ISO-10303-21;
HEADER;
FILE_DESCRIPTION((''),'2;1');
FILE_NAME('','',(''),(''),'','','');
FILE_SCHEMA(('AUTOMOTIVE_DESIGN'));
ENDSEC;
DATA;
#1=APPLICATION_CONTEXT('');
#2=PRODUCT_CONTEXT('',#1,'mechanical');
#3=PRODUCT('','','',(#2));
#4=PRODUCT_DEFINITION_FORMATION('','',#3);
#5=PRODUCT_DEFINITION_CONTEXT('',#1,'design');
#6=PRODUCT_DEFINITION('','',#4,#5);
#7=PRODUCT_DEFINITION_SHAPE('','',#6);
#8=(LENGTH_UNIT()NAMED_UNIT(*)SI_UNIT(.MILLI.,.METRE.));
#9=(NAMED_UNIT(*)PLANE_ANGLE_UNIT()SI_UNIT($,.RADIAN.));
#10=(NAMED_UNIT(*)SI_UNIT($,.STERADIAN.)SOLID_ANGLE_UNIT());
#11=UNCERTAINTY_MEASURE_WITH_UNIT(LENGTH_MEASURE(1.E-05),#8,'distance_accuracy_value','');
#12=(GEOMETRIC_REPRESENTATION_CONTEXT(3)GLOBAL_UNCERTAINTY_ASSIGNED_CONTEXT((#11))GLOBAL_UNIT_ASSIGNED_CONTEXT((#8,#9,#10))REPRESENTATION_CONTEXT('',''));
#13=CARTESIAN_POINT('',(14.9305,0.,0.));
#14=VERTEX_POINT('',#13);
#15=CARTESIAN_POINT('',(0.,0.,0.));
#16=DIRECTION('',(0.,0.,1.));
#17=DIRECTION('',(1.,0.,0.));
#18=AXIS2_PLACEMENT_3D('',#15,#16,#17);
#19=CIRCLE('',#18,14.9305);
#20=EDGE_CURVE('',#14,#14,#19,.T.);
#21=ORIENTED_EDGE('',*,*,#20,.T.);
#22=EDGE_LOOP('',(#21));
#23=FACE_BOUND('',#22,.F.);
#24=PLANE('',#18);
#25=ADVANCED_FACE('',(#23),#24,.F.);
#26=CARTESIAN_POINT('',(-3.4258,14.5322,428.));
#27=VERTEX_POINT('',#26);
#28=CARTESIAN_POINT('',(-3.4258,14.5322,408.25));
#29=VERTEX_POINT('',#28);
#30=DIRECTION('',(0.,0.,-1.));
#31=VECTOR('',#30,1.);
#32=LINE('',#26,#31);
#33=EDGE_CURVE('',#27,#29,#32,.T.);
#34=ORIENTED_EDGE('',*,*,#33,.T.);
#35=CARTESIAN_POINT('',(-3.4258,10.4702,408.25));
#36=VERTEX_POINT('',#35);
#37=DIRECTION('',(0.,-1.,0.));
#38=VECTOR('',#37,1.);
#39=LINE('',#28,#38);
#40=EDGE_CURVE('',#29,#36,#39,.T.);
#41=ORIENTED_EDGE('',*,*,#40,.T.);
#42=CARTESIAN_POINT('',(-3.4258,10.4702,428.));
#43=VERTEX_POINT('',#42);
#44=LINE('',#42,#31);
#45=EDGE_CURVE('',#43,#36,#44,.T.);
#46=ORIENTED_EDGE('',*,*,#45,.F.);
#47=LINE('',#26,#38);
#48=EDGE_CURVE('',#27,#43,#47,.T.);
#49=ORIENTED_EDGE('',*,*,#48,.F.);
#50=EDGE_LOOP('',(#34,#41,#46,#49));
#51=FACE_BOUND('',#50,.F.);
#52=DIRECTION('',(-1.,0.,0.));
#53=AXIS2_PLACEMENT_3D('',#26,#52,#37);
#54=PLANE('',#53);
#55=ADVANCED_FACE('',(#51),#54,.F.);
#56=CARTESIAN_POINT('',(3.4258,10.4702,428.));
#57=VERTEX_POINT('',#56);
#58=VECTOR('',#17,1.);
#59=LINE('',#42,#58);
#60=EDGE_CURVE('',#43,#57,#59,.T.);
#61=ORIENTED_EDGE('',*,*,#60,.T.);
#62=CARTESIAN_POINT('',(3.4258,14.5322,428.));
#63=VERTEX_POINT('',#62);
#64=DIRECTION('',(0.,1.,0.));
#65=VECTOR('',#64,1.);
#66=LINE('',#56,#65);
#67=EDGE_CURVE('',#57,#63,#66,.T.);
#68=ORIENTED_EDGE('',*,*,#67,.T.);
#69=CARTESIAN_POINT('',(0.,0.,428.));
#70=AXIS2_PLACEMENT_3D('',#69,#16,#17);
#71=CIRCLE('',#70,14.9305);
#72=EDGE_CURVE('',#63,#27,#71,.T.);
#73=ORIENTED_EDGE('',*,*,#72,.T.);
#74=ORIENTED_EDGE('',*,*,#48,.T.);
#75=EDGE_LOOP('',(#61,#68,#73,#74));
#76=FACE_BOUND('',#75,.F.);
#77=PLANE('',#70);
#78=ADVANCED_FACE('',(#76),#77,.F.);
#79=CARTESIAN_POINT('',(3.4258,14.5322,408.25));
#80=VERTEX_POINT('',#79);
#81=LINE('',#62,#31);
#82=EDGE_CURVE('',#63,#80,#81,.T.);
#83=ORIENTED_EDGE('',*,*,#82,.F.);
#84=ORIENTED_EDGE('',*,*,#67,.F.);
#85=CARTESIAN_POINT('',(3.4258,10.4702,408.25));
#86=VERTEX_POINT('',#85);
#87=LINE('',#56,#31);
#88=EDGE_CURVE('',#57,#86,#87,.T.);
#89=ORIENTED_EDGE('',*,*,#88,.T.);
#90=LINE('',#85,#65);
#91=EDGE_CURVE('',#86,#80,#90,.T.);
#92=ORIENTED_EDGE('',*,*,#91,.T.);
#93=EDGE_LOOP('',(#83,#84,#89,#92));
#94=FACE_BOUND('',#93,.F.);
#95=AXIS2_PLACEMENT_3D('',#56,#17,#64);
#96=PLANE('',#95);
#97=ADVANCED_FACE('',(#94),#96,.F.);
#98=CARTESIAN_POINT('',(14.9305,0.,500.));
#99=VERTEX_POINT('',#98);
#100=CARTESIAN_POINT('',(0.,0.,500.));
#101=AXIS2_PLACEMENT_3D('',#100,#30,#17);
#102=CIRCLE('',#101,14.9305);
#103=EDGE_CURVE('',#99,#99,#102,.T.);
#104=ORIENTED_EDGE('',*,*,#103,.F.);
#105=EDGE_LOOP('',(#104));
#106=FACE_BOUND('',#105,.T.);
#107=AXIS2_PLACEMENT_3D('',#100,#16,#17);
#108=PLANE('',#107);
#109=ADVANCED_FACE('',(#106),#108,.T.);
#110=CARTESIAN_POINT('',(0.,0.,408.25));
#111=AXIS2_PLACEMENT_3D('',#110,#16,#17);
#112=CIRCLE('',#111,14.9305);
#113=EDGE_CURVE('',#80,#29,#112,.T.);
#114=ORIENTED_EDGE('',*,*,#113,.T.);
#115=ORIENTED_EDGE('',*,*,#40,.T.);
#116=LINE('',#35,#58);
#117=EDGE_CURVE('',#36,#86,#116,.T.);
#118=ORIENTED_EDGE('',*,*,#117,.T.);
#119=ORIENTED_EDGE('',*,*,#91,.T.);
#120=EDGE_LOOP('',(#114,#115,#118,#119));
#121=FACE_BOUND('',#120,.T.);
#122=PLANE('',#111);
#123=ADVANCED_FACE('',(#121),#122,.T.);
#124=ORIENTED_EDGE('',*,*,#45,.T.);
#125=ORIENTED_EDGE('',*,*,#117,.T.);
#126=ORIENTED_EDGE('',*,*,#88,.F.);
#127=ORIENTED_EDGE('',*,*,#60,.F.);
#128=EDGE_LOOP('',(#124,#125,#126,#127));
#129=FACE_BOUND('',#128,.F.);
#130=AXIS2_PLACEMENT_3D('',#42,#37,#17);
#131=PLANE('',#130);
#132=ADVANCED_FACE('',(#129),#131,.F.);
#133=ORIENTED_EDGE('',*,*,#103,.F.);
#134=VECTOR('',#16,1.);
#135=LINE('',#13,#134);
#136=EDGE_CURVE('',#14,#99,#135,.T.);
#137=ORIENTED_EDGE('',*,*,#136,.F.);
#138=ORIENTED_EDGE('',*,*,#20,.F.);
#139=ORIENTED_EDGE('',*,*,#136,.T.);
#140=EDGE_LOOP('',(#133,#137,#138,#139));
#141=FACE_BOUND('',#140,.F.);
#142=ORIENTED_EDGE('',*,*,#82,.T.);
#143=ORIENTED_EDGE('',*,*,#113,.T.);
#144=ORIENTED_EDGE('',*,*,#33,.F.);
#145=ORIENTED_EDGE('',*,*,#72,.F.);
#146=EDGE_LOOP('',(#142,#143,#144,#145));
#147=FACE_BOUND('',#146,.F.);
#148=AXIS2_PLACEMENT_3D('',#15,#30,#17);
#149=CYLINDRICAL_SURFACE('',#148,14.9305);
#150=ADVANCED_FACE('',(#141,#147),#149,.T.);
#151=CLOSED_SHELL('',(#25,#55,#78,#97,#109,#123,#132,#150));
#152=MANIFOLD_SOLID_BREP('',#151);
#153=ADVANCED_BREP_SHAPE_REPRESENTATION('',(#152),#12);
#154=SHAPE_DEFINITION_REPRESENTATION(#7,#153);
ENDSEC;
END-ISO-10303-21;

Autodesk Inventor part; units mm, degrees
ref_plane "YZ Plane" through (0, 0, 0) normal (1, 0, 0) x (0, 1, 0)
ref_plane "XZ Plane" through (0, 0, 0) normal (0, 1, 0) x (-1, 0, 0)
ref_plane "XY Plane" through (0, 0, 0) normal (0, 0, 1) x (1, 0, 0)
sketch "Sketch1" plane through (0, 0, 0) normal (0, 0, 1) x (1, 0, 0)
  circle A0 centre (0, 0) radius 14.9305
  line L0 (4.7107, 14.1679) -> (-4.7107, 14.1679)
  line L1 (-4.7107, 14.1679) -> (-4.7107, 10.3691)
  line L2 (-4.7107, 10.3691) -> (4.7107, 10.3691)
  line L3 (4.7107, 10.3691) -> (4.7107, 14.1679)
  line L4 (0, 0) -> (0, 27.3143) construction
  point P0 (0, 10.3691)
  dimension "d0" = 29.861
  dimension "d3" = 3.7988
  dimension "d4" = 9.4214
extrude "Extrusion1" add sketch "Sketch1" along normal blind 500
sketch "Sketch2" plane through (0, 0, 500) normal (0, 0, 1) x (1, 0, 0)
  circle A0 centre (0, 0) radius 14.9305 projected
  line L0 (-3.4258, 14.5322) -> (-3.4258, 10.4702)
  line L1 (-3.4258, 10.4702) -> (3.4258, 10.4702)
  line L2 (3.4258, 10.4702) -> (3.4258, 14.5322)
  line L3 (0, 0) -> (0, 23.7293) construction
  point P0 (0, 10.4702)
  dimension "d5" = 4.0619
  dimension "d6" = 6.8516
ref_plane "Work Plane1" through (0, 0, 428) normal (0, 0, 1) x (1, 0, 0)
ref_plane "Work Plane2" through (0, 0, 408.25) normal (0, 0, 1) x (1, 0, 0)
extrude "Extrusion2" cut sketch "Sketch2" against normal up to surface (19.75 mm away) from surface at -72 contours L2 L1 L0 A0 picked at (0.3837, 11.9422)
properties part number "input_spindle"
